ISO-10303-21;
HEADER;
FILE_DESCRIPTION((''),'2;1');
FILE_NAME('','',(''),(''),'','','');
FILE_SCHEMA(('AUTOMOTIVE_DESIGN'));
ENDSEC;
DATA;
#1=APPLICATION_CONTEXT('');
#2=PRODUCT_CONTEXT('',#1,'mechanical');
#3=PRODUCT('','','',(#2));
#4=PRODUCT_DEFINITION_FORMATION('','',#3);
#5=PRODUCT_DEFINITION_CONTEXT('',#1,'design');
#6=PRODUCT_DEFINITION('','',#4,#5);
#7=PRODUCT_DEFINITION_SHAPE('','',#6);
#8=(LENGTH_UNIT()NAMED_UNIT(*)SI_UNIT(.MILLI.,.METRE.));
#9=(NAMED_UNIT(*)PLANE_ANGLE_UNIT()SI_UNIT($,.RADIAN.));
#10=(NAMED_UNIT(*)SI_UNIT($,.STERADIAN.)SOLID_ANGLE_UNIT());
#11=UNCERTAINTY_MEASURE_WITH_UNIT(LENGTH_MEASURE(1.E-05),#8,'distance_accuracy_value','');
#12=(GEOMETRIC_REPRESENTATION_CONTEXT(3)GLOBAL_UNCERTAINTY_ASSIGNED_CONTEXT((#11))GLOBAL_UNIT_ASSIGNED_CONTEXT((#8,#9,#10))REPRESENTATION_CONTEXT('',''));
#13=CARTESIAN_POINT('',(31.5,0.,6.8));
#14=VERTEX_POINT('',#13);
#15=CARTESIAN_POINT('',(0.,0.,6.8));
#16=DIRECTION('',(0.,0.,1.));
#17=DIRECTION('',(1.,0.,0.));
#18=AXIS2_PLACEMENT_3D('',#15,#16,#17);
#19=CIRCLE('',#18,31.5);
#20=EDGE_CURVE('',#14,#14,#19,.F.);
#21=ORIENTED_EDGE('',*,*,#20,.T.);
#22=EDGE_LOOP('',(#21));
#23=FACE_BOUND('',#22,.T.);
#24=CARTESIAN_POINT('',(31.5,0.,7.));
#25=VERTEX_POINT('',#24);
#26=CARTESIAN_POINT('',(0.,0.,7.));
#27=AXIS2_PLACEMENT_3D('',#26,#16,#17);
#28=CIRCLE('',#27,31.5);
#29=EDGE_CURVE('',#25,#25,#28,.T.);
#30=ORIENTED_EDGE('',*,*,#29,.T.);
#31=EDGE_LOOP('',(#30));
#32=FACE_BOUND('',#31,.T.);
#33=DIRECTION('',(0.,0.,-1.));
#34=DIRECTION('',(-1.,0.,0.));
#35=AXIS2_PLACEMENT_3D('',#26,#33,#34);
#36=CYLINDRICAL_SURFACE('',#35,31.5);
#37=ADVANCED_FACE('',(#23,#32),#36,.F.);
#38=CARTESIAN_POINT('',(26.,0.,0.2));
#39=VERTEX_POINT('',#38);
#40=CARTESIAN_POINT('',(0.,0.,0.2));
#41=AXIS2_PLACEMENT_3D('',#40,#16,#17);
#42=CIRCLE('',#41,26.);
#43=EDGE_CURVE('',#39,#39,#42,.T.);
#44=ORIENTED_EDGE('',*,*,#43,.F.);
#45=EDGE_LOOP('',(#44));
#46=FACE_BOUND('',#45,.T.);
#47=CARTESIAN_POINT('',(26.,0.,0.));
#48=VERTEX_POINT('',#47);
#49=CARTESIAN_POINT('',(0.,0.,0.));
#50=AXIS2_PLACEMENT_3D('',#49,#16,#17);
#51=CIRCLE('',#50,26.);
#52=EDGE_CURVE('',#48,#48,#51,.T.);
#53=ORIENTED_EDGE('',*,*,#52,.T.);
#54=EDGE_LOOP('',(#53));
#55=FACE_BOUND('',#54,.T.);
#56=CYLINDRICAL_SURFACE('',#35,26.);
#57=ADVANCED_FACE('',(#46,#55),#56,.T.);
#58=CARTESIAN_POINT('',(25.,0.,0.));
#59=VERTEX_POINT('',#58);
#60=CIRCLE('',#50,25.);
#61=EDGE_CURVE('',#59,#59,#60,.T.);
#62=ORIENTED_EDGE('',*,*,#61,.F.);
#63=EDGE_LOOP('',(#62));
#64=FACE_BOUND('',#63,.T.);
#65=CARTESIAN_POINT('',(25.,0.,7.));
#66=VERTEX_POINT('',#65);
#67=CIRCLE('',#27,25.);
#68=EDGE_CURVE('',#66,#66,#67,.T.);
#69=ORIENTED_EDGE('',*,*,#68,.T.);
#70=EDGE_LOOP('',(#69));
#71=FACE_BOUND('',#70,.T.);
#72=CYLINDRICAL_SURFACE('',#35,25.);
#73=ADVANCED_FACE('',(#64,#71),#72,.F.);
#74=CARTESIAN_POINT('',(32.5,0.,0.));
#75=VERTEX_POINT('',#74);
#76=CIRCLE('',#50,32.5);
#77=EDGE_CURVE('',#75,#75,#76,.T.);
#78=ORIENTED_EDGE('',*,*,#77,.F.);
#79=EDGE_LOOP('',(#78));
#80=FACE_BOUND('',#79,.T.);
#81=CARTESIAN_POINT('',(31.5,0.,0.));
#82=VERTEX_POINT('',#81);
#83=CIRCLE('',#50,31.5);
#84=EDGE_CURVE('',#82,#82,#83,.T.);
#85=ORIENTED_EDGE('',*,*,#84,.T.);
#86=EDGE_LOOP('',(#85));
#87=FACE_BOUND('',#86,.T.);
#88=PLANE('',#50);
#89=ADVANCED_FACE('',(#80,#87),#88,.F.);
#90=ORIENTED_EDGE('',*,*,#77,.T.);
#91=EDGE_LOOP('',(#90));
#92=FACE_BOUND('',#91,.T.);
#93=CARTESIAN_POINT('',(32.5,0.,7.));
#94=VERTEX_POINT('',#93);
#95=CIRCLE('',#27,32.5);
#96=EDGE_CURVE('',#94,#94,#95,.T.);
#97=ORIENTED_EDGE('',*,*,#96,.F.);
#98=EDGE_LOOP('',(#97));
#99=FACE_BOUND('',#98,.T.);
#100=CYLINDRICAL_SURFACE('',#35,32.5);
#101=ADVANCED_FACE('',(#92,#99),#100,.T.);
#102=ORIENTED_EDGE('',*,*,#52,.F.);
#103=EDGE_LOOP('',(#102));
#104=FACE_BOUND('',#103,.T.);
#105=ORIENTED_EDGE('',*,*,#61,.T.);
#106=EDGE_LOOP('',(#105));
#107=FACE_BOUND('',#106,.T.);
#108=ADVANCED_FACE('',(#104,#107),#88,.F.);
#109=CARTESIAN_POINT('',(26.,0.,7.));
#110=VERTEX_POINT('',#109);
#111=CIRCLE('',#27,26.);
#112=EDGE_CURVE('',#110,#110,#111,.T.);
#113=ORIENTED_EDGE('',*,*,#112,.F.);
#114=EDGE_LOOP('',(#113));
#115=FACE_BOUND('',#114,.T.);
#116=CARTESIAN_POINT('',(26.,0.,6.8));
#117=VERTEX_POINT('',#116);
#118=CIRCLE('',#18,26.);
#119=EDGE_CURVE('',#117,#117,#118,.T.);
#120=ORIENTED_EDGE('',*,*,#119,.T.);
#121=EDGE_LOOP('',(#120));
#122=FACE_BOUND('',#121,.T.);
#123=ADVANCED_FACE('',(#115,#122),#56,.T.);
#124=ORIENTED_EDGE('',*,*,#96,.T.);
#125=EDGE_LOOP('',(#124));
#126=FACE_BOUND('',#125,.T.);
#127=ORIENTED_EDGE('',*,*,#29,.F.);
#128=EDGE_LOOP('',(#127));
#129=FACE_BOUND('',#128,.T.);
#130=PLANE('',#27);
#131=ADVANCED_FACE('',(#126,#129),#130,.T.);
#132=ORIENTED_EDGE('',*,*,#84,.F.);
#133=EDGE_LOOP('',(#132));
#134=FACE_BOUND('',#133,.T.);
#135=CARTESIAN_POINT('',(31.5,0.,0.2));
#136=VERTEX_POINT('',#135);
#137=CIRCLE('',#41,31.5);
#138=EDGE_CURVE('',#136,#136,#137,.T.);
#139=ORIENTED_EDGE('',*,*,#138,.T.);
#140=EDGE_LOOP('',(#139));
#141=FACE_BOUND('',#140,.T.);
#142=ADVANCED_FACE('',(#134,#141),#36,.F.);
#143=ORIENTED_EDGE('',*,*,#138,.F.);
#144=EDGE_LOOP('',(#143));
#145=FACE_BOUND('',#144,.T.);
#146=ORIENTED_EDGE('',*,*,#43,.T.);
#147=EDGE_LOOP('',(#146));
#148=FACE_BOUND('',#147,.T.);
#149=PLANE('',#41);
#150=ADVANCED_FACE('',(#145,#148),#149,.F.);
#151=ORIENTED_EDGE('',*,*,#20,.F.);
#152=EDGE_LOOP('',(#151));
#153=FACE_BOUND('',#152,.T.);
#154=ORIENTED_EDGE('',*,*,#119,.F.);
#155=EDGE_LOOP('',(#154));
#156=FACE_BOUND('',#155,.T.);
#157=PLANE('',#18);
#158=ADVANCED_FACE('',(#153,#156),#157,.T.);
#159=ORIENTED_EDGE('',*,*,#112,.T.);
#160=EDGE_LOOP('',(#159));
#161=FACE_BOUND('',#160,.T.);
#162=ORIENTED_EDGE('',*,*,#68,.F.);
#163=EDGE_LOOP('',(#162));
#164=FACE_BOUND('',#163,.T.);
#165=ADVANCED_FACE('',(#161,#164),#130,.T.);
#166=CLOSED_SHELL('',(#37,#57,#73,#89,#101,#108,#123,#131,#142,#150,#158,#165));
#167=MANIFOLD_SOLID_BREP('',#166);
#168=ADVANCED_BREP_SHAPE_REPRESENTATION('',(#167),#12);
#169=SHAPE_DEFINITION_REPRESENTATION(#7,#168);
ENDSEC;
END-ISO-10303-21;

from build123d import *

# Parameters (mm, degrees)
SKETCH1_R          = 26
SKETCH1_R_2        = 25
EXTRUSION1_DEPTH   = 7
SKETCH1_R_3        = 32.5
SKETCH1_R_4        = 31.5
EXTRUSION1_2_DEPTH = 7
SKETCH2_R          = 31.5
SKETCH2_R_2        = 26
EXTRUSION2_DEPTH   = 6.6


with BuildPart() as part:
    # Sketch1 → Extrusion1 (new body)
    with BuildSketch(Plane.XY):
        Circle(SKETCH1_R)
        Circle(SKETCH1_R_2, mode=Mode.SUBTRACT)
    extrude(amount=EXTRUSION1_DEPTH)



with BuildPart() as body_2:
    # Sketch1 → Extrusion1 2 (new body)
    with BuildSketch(Plane.XY):
        Circle(SKETCH1_R_3)
        Circle(SKETCH1_R_4, mode=Mode.SUBTRACT)
    extrude(amount=EXTRUSION1_2_DEPTH)


with BuildPart() as part_1:
    add(part.part)

    add(body_2.part)  # Extrusion2 merges body 2
    # Sketch2 → Extrusion2 (add)
    with BuildSketch(Plane.XY.offset(0.2)):
        Circle(SKETCH2_R)
        Circle(SKETCH2_R_2, mode=Mode.SUBTRACT)
    extrude(amount=EXTRUSION2_DEPTH)


solid = part_1.part
